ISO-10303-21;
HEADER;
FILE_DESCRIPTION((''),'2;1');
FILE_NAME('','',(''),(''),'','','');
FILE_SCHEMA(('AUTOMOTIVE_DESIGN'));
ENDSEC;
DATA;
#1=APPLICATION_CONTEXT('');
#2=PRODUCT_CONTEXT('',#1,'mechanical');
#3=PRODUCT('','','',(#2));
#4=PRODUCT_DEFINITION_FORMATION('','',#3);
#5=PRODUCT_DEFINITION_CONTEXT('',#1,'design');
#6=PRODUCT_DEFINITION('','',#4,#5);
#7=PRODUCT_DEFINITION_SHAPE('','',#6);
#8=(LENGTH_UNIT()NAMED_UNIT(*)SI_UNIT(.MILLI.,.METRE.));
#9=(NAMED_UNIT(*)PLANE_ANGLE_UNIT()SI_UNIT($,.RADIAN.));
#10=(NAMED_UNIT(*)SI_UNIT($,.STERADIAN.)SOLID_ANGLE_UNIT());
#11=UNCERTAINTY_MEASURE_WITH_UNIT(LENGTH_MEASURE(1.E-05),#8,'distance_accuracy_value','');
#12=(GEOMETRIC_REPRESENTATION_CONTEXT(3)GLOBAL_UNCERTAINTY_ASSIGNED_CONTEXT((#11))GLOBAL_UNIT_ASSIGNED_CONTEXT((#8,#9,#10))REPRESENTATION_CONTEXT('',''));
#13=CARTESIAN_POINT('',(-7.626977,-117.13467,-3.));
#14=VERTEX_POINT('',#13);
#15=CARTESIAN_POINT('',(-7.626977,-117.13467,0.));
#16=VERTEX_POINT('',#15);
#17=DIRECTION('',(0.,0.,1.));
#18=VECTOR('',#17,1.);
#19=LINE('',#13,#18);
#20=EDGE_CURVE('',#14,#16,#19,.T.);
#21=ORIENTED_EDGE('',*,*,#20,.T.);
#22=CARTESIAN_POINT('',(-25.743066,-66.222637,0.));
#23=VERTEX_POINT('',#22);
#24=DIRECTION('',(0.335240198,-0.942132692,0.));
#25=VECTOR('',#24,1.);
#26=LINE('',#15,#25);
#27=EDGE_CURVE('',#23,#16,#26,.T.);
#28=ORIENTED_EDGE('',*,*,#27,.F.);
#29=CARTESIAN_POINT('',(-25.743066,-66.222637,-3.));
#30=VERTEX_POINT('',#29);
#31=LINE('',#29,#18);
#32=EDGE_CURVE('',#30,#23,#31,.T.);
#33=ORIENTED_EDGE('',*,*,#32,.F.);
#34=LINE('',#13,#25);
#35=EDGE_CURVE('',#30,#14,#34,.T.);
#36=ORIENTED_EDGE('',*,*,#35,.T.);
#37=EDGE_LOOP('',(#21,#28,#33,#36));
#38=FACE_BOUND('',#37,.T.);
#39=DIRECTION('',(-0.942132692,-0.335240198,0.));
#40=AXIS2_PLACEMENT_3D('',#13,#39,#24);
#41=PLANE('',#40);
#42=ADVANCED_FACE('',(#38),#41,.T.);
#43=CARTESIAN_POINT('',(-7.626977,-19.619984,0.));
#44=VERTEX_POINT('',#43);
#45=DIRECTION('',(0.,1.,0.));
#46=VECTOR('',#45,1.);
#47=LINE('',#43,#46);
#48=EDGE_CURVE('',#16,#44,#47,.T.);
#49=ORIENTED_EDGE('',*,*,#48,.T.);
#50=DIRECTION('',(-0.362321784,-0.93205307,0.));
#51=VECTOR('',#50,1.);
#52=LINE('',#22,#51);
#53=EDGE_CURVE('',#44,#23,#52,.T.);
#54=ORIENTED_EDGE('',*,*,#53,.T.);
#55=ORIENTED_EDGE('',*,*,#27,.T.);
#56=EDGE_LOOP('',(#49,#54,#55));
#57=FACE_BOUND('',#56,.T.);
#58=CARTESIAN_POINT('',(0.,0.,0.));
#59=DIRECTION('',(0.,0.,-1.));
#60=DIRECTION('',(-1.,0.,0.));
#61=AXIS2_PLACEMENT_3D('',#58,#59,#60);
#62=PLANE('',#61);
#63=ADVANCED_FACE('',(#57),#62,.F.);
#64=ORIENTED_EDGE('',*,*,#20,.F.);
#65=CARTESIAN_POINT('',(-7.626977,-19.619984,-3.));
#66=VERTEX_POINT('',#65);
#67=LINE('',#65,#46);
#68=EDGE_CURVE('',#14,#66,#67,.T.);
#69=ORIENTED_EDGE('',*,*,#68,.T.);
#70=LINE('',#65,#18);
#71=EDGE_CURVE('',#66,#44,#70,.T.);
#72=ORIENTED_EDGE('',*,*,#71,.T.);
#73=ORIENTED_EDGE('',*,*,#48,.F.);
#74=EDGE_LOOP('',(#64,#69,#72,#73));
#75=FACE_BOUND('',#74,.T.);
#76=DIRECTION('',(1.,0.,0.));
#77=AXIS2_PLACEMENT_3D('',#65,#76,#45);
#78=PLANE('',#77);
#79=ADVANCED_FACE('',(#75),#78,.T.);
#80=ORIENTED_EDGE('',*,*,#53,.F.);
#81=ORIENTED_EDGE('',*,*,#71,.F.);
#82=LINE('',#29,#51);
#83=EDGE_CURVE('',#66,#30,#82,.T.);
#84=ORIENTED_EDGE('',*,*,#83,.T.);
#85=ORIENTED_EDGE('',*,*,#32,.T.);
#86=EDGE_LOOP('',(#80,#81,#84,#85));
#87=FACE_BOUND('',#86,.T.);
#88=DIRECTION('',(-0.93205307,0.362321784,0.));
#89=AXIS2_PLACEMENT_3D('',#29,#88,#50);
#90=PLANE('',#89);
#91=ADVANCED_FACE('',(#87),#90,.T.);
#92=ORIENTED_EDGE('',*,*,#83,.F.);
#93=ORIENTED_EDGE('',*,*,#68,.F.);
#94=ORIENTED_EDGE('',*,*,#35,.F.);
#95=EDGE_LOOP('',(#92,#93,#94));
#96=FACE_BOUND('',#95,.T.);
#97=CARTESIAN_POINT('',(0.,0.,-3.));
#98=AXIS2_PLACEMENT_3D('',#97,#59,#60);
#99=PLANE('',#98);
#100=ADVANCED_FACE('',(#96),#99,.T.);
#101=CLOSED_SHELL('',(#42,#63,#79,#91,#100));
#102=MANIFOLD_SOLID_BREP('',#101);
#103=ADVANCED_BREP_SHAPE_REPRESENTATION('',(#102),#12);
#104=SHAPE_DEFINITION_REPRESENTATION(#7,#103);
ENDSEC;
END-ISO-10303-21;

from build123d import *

# Parameters (mm, degrees)
BOSS_EXTRU_1_DEPTH = 3


with BuildPart() as part:
    # Esquisse1 → Boss.-Extru.1 (new body)
    with BuildSketch(Plane.XY):
        Polygon((-25.743066416, -66.222637248), (-7.62697721, -19.619983763), (-7.62697721, -117.134669828), align=None)
    extrude(amount=-BOSS_EXTRU_1_DEPTH)


solid = part.part
